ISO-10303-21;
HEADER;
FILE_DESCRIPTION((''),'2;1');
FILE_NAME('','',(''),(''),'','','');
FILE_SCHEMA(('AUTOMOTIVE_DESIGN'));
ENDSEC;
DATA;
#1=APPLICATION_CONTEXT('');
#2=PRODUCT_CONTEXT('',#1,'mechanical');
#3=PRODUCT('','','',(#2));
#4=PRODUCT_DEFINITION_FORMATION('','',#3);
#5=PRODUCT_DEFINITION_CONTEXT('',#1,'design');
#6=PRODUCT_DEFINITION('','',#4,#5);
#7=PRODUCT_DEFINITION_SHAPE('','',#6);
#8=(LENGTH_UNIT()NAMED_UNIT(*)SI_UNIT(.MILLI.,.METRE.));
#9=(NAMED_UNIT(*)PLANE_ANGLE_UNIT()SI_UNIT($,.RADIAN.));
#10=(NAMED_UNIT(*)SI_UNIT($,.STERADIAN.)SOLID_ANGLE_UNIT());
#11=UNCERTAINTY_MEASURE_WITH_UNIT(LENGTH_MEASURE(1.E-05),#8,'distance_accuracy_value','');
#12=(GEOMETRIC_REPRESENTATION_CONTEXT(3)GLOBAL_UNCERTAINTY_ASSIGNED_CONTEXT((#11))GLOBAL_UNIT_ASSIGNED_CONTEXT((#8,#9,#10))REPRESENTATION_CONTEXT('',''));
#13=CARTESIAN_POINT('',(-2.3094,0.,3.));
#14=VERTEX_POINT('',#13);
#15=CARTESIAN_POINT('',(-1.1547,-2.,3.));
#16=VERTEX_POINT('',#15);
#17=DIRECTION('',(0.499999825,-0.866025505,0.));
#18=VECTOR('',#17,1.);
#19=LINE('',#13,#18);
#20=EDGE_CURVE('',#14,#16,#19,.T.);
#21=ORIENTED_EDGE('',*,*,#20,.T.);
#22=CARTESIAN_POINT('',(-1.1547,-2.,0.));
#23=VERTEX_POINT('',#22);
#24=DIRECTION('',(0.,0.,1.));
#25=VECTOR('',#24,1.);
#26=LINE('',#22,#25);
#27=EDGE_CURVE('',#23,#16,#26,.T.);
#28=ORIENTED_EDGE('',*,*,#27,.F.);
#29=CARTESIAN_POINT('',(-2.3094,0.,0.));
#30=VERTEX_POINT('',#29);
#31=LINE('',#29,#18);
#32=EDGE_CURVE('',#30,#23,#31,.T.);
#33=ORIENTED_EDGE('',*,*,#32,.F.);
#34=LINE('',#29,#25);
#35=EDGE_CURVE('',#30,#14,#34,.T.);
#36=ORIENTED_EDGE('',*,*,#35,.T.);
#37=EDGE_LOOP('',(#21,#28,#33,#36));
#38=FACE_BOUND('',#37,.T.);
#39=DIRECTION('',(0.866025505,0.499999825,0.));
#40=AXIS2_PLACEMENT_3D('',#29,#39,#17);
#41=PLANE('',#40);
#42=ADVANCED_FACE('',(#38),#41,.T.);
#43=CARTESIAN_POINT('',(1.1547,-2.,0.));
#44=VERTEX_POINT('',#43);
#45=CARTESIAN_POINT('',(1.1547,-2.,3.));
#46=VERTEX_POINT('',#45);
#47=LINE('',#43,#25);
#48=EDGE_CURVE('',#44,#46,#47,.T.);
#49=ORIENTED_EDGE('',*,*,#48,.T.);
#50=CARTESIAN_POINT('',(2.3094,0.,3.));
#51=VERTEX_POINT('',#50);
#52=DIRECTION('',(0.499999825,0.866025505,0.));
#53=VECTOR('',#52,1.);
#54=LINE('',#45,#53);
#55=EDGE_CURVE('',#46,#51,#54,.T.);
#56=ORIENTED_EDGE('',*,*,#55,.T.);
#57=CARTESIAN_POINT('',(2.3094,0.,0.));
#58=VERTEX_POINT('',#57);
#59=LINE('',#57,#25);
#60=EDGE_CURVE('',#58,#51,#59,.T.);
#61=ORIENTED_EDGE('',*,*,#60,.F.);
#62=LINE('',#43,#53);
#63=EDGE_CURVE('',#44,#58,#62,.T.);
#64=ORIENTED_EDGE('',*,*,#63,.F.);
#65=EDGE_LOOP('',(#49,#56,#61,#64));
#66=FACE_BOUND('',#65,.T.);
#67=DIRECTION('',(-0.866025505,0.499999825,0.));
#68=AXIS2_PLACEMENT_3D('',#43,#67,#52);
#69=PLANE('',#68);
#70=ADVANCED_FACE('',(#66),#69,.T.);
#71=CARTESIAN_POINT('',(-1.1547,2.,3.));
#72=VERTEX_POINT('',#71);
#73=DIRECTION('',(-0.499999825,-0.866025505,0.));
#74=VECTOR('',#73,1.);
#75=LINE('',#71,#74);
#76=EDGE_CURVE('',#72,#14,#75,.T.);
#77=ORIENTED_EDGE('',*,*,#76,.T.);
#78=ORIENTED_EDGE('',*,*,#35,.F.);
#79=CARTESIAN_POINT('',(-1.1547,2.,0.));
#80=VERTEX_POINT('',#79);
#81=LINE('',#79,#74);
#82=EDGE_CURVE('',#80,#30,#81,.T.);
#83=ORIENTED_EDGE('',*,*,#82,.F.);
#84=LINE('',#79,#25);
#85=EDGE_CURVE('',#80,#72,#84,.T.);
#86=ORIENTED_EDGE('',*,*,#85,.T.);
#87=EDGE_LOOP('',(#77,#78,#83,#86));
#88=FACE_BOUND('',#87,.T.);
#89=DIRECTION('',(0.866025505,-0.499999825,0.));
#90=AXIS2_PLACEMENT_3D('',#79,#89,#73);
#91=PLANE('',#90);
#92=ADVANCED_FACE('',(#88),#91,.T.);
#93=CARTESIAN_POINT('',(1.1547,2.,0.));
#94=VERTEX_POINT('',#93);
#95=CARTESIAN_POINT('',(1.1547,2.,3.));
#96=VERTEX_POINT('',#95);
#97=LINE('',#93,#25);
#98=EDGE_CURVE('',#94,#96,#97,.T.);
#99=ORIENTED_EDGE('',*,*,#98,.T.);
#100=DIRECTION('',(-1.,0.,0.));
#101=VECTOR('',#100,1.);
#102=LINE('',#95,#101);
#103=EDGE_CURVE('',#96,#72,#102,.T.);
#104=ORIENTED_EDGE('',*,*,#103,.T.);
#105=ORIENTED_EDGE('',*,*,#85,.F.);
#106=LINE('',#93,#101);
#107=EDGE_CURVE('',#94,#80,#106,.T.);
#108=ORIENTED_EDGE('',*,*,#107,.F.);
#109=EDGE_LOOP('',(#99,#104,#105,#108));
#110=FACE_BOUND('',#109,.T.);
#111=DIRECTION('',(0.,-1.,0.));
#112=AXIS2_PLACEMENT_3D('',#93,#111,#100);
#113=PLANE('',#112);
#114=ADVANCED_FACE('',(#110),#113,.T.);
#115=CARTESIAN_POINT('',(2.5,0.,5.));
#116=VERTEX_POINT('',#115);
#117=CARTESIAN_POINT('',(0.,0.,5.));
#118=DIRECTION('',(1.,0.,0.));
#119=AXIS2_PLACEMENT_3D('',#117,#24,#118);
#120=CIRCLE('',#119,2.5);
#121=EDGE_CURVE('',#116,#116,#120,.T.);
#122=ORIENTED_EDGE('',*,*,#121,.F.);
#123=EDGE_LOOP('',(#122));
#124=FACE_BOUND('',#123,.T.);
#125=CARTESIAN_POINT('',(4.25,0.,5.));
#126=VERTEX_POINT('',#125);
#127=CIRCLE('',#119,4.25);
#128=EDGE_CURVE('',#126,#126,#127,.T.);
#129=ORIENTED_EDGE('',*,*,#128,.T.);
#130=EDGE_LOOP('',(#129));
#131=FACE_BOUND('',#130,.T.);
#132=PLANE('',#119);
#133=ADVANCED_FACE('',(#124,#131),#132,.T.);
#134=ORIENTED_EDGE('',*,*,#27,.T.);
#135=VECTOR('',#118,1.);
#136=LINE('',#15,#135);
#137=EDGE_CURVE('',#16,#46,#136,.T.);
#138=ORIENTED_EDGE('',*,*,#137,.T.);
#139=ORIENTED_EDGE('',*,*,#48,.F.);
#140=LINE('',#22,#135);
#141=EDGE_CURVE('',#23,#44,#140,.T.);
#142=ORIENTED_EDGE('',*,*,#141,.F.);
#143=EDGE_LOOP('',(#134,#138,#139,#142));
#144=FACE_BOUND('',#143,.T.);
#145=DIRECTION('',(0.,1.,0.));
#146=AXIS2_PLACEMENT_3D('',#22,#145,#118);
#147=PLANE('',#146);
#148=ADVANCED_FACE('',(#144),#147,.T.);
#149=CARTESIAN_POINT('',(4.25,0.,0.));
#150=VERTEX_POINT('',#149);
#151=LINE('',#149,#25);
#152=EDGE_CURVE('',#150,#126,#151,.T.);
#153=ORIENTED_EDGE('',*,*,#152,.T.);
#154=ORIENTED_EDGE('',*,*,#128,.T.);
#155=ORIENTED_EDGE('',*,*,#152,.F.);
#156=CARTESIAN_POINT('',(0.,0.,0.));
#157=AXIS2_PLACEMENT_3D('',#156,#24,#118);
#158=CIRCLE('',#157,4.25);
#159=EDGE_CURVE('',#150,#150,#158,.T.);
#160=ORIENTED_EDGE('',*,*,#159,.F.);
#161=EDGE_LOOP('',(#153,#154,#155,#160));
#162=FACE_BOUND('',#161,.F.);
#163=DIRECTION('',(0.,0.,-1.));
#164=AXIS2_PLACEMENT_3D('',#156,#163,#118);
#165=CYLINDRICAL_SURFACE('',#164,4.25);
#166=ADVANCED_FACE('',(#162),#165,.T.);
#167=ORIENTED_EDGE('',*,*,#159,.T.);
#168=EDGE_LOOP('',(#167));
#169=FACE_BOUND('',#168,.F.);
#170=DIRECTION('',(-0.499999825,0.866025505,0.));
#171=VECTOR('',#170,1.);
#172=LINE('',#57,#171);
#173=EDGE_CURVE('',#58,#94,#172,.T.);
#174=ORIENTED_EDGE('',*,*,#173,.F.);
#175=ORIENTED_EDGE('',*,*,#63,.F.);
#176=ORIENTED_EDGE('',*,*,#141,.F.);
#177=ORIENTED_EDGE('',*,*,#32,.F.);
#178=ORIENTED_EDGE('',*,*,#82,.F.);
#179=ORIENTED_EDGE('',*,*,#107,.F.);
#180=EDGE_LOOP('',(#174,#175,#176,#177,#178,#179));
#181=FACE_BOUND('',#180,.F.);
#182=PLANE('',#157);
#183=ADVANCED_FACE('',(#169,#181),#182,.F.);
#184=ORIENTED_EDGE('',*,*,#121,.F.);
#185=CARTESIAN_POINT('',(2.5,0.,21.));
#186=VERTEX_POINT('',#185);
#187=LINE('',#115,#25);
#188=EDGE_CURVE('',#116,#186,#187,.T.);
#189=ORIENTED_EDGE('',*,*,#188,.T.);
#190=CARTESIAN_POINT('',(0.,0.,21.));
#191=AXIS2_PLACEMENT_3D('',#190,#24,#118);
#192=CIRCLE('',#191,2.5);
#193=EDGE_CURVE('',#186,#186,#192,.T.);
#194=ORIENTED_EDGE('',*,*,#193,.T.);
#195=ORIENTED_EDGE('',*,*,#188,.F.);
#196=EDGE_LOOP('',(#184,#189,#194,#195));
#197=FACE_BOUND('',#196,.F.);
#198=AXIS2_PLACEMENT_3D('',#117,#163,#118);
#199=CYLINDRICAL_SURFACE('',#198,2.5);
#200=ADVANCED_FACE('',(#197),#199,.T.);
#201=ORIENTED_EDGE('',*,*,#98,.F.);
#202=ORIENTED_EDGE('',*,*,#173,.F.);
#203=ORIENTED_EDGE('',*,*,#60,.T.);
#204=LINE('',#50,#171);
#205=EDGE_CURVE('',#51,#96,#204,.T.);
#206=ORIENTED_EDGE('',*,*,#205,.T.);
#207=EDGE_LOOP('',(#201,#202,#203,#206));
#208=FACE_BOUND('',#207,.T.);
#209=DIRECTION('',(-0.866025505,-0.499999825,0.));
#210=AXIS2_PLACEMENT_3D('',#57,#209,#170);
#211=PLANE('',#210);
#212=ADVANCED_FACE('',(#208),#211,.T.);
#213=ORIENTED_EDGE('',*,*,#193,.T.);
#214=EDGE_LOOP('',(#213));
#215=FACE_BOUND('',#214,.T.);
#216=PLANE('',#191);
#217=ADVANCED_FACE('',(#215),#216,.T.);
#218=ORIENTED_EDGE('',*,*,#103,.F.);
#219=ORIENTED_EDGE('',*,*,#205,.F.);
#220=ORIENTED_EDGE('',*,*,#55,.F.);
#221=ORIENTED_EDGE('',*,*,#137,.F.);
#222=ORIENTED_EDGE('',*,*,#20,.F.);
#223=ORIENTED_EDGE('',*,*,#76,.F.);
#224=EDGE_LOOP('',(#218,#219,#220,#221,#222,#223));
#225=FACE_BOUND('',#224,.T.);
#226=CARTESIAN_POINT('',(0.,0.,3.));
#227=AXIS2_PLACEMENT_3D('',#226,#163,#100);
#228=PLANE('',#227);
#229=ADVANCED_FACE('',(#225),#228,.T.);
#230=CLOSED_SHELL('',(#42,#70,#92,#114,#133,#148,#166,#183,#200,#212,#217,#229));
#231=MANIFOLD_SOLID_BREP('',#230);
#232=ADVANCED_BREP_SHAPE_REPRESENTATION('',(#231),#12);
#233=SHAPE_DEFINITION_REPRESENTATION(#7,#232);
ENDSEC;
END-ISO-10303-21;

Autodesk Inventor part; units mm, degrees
ref_plane "YZ Plane" through (0, 0, 0) normal (1, 0, 0) x (0, 1, 0)
ref_plane "XZ Plane" through (0, 0, 0) normal (0, 1, 0) x (-1, 0, 0)
ref_plane "XY Plane" through (0, 0, 0) normal (0, 0, 1) x (1, 0, 0)
sketch "Sketch1" plane through (0, 0, 0) normal (0, 0, 1) x (1, 0, 0)
  circle A0 centre (0, 0) radius 4.25
  dimension "d0" = 8.5
extrude "Extrusion1" add sketch "Sketch1" along normal blind 5
sketch "Sketch2" plane through (0, 0, 5) normal (0, 0, 1) x (1, 0, 0)
  circle A0 centre (0, 0) radius 4.25 projected
  circle A1 centre (0, 0) radius 2.5
  dimension "d3" = 5
extrude "Extrusion2" add sketch "Sketch2" along normal blind 16 contours A1
sketch "Sketch3" plane through (0, 0, 0) normal (0, 0, -1) x (-1, 0, 0)
  circle A0 centre (0, 0) radius 4.25 projected
  line L0 (2.3094, 0) -> (1.1547, -2)
  line L1 (1.1547, -2) -> (-1.1547, -2)
  line L2 (-1.1547, -2) -> (-2.3094, 0)
  line L3 (-2.3094, 0) -> (-1.1547, 2)
  line L4 (-1.1547, 2) -> (1.1547, 2)
  line L5 (1.1547, 2) -> (2.3094, 0)
  dimension "d6" = 4
extrude "Extrusion3" cut sketch "Sketch3" against normal blind 3 contours L0 L1 L2 L3 L4 L5
thread "Thread1" size "M5x0.8" class "6g" standard "ANSI Metric M Profile" full length
properties part number "m5x1"
